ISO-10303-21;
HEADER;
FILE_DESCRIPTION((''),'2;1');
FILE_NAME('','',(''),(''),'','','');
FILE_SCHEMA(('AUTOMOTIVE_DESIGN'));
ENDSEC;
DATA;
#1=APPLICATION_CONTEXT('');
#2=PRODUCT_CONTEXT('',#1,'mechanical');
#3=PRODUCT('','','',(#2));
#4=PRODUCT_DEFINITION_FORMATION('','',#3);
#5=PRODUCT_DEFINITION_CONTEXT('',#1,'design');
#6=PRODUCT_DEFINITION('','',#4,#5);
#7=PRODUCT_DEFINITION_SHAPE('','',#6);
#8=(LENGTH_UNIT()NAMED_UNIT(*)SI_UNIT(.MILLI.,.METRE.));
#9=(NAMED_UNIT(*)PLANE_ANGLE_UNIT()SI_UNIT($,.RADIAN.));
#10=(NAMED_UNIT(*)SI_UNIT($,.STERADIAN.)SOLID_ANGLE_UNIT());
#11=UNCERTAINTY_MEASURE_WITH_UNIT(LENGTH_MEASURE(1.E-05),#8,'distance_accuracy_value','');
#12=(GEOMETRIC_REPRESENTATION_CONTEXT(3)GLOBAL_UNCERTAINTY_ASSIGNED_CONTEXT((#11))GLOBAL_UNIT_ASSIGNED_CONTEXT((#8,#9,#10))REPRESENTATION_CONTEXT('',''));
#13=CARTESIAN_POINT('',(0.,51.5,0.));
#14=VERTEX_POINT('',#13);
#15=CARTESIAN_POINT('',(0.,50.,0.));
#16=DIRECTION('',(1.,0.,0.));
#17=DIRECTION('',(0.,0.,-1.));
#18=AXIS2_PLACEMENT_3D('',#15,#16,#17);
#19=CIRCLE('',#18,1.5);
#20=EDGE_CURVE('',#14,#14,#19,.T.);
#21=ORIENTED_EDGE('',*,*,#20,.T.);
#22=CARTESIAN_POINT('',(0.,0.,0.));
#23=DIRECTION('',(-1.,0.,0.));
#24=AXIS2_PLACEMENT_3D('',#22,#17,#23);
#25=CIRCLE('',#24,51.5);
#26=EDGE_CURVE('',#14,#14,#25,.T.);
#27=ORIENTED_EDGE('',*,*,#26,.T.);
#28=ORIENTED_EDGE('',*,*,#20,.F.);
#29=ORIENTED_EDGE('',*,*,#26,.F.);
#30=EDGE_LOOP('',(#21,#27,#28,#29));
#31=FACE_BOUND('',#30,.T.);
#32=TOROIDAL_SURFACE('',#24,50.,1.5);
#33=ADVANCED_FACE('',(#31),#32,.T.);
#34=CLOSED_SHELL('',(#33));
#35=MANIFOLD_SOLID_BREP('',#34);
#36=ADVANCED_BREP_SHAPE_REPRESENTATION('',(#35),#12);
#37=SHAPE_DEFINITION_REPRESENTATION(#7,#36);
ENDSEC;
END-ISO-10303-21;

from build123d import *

# Parameters (mm, degrees)
SKETCH2_R = 1.5


with BuildPart() as part:
    # Sweep1: sweep along a path in Sketch1
    with BuildLine(Plane.XY) as sweep1_path:
        CenterArc((0, 0), 50.75, 0, 360)
    # Sketch2 → Sweep1 (sweep)
    with BuildSketch(Plane(origin=(0, 0, 0), x_dir=(0, 0, -1), z_dir=(1, 0, 0))):
        with Locations((0, 50)):
            Circle(SKETCH2_R)
    sweep(path=sweep1_path.line)


solid = part.part
